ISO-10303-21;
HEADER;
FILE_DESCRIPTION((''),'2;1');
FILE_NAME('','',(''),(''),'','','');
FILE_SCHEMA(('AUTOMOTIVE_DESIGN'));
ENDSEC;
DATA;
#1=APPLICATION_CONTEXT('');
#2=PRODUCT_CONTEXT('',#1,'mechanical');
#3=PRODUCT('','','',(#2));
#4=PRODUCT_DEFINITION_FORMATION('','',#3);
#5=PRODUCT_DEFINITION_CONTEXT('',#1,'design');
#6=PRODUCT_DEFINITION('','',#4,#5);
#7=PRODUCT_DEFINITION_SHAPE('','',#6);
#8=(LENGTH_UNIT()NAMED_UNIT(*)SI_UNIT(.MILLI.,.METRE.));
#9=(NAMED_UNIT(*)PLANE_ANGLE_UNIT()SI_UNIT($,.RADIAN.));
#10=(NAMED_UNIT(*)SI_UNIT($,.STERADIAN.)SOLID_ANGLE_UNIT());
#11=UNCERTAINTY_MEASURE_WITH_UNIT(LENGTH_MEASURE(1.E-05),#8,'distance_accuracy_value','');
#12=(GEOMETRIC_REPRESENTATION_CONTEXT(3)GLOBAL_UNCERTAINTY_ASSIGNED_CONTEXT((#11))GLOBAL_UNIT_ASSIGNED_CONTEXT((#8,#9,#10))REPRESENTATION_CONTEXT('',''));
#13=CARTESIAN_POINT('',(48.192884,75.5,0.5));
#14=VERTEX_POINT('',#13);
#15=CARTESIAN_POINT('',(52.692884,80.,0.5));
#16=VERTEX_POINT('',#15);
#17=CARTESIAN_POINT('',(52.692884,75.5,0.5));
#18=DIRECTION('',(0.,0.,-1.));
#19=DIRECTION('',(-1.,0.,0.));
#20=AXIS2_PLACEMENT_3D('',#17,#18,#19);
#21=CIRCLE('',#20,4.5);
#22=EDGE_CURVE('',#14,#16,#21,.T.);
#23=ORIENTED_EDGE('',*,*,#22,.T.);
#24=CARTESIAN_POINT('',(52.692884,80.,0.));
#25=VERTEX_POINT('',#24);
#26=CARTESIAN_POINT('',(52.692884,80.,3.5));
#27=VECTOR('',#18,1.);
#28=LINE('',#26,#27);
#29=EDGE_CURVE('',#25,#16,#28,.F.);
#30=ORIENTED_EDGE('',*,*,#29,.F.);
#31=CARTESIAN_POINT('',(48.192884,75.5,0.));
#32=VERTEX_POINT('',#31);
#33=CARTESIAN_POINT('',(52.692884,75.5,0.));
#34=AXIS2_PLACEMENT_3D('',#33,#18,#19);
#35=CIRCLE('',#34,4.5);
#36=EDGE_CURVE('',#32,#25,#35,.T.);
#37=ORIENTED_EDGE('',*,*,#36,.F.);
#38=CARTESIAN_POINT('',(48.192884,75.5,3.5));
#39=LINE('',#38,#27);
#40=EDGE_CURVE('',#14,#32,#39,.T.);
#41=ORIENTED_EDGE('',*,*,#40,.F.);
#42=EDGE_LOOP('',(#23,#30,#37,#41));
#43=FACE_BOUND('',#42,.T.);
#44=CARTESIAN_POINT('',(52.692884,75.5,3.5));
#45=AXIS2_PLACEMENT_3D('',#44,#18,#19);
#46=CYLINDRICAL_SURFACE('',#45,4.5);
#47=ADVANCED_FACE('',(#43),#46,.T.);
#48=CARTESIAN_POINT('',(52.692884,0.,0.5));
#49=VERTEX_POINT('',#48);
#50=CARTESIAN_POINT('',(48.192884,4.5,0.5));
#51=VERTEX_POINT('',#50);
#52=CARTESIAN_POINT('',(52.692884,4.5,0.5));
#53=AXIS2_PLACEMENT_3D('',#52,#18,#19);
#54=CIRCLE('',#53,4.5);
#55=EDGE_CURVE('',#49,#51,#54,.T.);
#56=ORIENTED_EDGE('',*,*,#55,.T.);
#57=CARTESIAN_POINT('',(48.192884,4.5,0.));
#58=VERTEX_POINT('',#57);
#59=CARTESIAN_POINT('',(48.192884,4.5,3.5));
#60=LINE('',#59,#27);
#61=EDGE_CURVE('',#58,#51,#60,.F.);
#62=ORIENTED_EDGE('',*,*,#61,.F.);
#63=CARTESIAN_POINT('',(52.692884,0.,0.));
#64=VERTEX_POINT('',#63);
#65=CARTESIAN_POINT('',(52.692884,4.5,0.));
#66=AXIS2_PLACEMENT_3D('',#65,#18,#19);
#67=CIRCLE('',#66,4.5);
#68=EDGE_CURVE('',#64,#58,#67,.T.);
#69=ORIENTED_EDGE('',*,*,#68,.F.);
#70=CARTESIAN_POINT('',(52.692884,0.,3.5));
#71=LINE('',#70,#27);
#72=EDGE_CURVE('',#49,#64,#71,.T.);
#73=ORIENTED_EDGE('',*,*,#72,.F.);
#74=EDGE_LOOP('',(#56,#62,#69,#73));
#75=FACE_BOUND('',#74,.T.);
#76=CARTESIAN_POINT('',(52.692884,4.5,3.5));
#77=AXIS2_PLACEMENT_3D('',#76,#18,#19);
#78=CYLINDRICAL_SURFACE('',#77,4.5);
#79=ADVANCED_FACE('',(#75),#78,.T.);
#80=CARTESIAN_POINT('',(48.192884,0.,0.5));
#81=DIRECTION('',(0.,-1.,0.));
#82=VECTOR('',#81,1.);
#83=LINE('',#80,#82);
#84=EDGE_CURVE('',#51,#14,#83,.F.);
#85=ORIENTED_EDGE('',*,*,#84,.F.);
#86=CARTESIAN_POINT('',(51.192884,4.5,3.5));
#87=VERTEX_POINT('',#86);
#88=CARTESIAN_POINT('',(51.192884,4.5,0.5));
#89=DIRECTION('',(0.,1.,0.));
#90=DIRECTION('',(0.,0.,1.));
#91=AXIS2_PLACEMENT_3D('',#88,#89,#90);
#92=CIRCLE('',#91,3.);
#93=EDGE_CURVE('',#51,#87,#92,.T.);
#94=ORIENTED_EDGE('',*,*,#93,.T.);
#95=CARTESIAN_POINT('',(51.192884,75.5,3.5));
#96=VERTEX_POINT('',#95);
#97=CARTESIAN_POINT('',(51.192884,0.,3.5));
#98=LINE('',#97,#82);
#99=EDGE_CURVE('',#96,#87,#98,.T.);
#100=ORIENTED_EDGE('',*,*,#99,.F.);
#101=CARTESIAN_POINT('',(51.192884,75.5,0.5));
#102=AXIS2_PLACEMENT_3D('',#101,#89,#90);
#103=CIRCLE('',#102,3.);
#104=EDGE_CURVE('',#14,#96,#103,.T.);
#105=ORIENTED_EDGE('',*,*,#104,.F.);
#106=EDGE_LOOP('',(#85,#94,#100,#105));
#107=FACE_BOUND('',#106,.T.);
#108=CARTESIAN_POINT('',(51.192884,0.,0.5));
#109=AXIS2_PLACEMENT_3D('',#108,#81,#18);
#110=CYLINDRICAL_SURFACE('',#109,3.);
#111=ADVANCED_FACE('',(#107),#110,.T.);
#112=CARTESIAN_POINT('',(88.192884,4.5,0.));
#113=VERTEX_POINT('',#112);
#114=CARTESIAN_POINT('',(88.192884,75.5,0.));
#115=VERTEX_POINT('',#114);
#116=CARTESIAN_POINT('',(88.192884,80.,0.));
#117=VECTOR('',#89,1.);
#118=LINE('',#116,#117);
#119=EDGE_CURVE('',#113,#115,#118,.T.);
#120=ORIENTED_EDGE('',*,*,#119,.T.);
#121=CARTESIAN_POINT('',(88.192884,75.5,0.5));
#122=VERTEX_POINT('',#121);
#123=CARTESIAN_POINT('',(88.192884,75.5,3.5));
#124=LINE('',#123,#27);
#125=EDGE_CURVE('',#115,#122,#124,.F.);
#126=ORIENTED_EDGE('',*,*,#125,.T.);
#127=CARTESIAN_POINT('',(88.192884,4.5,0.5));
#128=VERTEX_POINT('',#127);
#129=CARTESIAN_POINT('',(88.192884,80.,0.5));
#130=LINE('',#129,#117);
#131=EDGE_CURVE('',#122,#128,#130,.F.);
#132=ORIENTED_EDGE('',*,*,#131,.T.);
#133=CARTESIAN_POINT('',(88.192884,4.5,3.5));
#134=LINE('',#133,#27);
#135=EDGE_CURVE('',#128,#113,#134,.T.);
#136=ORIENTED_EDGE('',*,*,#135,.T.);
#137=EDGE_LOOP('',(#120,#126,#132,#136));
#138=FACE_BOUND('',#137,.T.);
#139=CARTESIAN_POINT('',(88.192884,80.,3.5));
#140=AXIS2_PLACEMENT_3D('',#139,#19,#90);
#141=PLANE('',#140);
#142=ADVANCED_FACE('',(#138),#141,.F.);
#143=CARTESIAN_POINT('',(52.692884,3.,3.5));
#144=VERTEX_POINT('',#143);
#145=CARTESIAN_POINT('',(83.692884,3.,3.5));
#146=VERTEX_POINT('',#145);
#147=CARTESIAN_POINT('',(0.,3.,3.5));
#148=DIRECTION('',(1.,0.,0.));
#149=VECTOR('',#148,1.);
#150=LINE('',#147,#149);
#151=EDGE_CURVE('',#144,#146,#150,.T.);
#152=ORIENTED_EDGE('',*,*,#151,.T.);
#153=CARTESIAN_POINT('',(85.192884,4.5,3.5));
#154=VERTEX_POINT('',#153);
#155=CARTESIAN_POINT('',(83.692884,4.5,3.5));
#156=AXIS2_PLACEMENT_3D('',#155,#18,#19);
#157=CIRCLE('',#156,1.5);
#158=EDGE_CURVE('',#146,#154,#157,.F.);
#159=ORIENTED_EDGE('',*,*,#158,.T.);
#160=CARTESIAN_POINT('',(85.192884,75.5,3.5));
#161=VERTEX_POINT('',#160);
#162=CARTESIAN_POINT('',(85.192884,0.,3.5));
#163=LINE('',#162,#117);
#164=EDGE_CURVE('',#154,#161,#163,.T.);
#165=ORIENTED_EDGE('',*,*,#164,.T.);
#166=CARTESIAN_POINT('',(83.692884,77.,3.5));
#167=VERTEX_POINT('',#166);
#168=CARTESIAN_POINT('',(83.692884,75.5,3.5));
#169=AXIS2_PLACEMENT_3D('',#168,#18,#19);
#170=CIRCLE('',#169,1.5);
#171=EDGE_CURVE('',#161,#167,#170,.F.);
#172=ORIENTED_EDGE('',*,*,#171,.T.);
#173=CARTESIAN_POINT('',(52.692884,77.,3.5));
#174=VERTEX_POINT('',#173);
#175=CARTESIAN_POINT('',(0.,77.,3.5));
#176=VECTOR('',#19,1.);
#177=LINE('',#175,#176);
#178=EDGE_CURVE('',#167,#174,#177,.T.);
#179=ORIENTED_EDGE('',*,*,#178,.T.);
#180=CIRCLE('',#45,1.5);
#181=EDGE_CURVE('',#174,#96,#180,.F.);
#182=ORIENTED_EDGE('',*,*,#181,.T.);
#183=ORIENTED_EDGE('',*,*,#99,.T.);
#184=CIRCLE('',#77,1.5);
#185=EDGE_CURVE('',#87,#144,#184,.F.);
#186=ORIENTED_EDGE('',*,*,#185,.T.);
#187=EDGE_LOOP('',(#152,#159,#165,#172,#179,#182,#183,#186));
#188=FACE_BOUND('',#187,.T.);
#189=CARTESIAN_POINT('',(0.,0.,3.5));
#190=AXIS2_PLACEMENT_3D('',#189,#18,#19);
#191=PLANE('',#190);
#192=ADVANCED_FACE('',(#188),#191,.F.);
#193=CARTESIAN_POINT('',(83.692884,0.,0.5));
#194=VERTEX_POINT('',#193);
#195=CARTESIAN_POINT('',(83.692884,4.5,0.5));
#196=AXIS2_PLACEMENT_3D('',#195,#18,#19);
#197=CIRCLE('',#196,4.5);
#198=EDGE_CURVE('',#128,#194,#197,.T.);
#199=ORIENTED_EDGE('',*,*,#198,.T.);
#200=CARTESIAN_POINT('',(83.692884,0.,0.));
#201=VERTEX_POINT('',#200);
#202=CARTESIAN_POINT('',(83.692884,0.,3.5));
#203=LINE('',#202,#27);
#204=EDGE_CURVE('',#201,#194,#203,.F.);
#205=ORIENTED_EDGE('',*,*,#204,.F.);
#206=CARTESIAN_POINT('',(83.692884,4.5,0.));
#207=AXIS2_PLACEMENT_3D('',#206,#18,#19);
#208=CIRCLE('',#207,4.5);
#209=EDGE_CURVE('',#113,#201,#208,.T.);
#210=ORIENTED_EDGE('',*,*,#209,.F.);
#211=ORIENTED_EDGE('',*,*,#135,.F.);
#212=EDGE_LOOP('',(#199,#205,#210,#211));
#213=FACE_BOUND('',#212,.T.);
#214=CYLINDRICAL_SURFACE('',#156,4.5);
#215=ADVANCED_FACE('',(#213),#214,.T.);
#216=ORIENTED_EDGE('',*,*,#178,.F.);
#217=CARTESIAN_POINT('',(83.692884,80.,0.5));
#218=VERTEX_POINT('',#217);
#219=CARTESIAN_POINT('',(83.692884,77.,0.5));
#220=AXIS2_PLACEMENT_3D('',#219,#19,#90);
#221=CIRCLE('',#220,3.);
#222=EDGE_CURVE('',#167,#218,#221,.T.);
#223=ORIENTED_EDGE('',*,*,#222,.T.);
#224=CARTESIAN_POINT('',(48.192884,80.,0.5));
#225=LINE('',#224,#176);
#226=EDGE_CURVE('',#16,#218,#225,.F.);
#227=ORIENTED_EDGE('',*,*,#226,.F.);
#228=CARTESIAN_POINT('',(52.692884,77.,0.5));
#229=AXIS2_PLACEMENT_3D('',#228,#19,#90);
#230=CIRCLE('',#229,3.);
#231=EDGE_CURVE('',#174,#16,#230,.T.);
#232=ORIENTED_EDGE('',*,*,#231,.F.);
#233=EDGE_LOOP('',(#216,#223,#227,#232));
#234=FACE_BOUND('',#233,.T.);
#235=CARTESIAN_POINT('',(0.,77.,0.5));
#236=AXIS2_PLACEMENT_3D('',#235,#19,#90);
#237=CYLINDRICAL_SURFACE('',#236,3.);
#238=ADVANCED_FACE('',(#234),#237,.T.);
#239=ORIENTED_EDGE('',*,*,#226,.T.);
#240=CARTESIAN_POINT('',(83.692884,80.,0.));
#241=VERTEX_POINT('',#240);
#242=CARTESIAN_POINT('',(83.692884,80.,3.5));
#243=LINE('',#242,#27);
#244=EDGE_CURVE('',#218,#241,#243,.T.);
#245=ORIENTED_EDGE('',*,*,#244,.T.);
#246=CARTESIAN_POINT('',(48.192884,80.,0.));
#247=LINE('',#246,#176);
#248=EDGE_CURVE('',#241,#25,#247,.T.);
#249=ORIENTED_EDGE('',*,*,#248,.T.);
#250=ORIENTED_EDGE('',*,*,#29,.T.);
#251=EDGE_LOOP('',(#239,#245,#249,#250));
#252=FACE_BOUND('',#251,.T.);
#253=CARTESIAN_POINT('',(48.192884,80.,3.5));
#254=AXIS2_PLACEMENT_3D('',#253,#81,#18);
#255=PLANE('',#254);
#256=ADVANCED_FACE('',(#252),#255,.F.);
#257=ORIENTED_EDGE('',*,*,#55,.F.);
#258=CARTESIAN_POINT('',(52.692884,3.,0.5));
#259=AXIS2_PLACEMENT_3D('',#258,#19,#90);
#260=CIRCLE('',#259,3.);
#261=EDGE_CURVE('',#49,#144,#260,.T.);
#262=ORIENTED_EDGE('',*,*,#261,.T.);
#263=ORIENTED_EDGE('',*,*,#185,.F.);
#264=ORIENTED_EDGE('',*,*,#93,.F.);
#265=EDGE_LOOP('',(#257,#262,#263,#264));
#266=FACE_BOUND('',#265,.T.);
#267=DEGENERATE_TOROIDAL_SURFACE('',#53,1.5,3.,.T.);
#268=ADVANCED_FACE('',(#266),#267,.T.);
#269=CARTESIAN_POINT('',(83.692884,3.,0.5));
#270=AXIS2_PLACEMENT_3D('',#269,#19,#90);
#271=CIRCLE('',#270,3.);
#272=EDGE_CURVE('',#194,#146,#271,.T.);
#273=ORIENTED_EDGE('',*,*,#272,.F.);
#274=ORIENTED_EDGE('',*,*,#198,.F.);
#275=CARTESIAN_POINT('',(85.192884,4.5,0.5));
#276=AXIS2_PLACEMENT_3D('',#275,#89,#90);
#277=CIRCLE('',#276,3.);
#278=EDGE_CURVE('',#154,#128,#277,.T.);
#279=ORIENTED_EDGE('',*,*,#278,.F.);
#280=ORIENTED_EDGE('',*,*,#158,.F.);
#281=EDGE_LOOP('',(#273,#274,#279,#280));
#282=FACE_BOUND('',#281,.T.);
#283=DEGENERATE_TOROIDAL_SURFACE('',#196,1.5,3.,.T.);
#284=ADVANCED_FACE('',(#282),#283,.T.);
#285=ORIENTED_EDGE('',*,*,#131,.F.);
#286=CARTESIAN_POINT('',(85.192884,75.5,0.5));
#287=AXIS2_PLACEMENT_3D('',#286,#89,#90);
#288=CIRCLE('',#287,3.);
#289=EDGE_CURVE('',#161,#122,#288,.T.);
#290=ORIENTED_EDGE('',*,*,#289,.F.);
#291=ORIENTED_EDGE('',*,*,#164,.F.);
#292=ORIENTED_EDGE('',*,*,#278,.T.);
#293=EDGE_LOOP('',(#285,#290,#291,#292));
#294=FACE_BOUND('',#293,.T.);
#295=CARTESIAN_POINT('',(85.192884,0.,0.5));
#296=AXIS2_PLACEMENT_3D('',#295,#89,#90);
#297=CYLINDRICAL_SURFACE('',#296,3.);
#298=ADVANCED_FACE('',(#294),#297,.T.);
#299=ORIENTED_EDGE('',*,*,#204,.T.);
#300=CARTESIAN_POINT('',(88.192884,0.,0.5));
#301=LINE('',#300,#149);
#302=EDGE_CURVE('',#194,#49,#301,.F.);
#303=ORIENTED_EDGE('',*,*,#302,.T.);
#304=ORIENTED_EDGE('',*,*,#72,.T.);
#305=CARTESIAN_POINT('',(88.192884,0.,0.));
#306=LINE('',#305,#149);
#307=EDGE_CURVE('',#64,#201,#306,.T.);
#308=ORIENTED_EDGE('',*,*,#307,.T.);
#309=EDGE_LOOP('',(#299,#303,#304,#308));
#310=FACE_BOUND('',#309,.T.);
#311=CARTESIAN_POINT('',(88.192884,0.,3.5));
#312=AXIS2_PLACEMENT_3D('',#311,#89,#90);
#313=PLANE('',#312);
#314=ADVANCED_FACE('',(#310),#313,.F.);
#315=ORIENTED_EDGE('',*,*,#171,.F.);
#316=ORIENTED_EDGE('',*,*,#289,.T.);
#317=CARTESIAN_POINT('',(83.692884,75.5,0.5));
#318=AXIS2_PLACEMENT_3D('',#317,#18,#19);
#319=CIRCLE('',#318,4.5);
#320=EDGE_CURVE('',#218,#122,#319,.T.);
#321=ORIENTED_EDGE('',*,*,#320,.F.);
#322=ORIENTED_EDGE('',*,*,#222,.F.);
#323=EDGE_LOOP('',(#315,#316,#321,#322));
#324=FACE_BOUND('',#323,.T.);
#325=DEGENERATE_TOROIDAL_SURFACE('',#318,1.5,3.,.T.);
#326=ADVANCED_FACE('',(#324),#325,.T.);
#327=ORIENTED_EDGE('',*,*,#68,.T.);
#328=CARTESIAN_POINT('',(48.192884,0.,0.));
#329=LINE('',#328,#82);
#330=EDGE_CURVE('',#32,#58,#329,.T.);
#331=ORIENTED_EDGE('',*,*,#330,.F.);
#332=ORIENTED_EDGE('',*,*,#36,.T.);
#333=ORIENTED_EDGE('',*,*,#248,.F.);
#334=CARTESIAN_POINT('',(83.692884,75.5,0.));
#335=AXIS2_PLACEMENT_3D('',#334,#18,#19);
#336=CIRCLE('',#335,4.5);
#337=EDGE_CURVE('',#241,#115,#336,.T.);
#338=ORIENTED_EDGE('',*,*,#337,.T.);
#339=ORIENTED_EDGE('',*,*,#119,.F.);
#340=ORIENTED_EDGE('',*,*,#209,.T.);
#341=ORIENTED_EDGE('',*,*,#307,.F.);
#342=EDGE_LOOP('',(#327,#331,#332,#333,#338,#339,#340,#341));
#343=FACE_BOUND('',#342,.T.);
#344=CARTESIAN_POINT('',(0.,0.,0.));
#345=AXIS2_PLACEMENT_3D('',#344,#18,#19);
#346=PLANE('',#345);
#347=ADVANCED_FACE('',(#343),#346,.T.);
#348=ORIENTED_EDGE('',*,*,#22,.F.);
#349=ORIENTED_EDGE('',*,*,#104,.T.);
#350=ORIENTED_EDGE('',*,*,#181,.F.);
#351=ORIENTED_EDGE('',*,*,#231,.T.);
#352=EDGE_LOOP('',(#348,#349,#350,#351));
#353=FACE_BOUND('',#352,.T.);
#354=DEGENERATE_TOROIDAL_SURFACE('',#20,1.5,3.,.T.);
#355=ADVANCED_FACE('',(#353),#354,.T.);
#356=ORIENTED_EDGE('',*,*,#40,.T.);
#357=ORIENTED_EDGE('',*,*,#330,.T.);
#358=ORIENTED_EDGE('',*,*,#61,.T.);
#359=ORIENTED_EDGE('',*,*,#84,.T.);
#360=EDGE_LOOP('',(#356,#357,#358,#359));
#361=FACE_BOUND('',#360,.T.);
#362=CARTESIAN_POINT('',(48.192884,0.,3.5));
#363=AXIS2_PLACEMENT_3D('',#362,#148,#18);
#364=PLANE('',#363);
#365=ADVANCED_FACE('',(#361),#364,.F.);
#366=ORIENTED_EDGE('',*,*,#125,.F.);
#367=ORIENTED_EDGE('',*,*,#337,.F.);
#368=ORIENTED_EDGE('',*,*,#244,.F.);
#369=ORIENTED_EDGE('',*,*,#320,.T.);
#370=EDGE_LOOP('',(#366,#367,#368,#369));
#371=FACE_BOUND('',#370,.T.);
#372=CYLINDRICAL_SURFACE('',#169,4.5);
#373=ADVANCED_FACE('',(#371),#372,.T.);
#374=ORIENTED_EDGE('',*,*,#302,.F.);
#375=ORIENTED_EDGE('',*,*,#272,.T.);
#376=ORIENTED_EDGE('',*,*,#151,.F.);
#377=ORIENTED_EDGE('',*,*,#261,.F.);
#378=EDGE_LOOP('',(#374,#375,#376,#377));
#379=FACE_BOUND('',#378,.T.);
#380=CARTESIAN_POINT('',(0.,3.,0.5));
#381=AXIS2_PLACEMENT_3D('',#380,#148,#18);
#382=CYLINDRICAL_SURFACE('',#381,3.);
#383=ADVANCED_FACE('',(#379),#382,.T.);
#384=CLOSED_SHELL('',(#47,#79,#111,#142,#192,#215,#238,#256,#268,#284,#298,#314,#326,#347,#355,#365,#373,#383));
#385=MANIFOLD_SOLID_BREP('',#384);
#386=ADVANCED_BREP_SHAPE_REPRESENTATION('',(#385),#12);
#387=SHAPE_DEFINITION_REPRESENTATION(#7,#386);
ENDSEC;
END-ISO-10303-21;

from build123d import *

# Parameters (mm, degrees)
SKETCH_1_W      = 40
SKETCH_1_H      = 80
EXTRUDE_1_DEPTH = 3.5
FILLET_1_R      = 4.5
FILLET_2_R      = 3


with BuildPart() as part:
    # 草图1 → 凸台-拉伸1 (new body)
    with BuildSketch(Plane.XY):
        with Locations((68.192883988, 40)):
            Rectangle(SKETCH_1_W, SKETCH_1_H)
    extrude(amount=EXTRUDE_1_DEPTH)

    # 圆角1
    fillet_1_edges = [part.edges().sort_by_distance(p)[0] for p in [
        (48.192883988, 0, 1.75),
        (48.192883988, 80, 1.75),
        (88.192883988, 80, 1.75),
        (88.192883988, 0, 1.75),
    ]]
    fillet(fillet_1_edges, radius=FILLET_1_R)

    # 圆角2
    fillet_2_edges = [part.edges().sort_by_distance(p)[0] for p in [
        (68.192883988, 0, 3.5),
        (48.192883988, 40, 3.5),
        (88.192883988, 40, 3.5),
        (68.192883988, 80, 3.5),
        (86.874864503, 78.681980515, 3.5),
        (49.510903472, 78.681980515, 3.5),
        (86.874864503, 1.318019485, 3.5),
        (49.510903472, 1.318019485, 3.5),
    ]]
    fillet(fillet_2_edges, radius=FILLET_2_R)


solid = part.part
